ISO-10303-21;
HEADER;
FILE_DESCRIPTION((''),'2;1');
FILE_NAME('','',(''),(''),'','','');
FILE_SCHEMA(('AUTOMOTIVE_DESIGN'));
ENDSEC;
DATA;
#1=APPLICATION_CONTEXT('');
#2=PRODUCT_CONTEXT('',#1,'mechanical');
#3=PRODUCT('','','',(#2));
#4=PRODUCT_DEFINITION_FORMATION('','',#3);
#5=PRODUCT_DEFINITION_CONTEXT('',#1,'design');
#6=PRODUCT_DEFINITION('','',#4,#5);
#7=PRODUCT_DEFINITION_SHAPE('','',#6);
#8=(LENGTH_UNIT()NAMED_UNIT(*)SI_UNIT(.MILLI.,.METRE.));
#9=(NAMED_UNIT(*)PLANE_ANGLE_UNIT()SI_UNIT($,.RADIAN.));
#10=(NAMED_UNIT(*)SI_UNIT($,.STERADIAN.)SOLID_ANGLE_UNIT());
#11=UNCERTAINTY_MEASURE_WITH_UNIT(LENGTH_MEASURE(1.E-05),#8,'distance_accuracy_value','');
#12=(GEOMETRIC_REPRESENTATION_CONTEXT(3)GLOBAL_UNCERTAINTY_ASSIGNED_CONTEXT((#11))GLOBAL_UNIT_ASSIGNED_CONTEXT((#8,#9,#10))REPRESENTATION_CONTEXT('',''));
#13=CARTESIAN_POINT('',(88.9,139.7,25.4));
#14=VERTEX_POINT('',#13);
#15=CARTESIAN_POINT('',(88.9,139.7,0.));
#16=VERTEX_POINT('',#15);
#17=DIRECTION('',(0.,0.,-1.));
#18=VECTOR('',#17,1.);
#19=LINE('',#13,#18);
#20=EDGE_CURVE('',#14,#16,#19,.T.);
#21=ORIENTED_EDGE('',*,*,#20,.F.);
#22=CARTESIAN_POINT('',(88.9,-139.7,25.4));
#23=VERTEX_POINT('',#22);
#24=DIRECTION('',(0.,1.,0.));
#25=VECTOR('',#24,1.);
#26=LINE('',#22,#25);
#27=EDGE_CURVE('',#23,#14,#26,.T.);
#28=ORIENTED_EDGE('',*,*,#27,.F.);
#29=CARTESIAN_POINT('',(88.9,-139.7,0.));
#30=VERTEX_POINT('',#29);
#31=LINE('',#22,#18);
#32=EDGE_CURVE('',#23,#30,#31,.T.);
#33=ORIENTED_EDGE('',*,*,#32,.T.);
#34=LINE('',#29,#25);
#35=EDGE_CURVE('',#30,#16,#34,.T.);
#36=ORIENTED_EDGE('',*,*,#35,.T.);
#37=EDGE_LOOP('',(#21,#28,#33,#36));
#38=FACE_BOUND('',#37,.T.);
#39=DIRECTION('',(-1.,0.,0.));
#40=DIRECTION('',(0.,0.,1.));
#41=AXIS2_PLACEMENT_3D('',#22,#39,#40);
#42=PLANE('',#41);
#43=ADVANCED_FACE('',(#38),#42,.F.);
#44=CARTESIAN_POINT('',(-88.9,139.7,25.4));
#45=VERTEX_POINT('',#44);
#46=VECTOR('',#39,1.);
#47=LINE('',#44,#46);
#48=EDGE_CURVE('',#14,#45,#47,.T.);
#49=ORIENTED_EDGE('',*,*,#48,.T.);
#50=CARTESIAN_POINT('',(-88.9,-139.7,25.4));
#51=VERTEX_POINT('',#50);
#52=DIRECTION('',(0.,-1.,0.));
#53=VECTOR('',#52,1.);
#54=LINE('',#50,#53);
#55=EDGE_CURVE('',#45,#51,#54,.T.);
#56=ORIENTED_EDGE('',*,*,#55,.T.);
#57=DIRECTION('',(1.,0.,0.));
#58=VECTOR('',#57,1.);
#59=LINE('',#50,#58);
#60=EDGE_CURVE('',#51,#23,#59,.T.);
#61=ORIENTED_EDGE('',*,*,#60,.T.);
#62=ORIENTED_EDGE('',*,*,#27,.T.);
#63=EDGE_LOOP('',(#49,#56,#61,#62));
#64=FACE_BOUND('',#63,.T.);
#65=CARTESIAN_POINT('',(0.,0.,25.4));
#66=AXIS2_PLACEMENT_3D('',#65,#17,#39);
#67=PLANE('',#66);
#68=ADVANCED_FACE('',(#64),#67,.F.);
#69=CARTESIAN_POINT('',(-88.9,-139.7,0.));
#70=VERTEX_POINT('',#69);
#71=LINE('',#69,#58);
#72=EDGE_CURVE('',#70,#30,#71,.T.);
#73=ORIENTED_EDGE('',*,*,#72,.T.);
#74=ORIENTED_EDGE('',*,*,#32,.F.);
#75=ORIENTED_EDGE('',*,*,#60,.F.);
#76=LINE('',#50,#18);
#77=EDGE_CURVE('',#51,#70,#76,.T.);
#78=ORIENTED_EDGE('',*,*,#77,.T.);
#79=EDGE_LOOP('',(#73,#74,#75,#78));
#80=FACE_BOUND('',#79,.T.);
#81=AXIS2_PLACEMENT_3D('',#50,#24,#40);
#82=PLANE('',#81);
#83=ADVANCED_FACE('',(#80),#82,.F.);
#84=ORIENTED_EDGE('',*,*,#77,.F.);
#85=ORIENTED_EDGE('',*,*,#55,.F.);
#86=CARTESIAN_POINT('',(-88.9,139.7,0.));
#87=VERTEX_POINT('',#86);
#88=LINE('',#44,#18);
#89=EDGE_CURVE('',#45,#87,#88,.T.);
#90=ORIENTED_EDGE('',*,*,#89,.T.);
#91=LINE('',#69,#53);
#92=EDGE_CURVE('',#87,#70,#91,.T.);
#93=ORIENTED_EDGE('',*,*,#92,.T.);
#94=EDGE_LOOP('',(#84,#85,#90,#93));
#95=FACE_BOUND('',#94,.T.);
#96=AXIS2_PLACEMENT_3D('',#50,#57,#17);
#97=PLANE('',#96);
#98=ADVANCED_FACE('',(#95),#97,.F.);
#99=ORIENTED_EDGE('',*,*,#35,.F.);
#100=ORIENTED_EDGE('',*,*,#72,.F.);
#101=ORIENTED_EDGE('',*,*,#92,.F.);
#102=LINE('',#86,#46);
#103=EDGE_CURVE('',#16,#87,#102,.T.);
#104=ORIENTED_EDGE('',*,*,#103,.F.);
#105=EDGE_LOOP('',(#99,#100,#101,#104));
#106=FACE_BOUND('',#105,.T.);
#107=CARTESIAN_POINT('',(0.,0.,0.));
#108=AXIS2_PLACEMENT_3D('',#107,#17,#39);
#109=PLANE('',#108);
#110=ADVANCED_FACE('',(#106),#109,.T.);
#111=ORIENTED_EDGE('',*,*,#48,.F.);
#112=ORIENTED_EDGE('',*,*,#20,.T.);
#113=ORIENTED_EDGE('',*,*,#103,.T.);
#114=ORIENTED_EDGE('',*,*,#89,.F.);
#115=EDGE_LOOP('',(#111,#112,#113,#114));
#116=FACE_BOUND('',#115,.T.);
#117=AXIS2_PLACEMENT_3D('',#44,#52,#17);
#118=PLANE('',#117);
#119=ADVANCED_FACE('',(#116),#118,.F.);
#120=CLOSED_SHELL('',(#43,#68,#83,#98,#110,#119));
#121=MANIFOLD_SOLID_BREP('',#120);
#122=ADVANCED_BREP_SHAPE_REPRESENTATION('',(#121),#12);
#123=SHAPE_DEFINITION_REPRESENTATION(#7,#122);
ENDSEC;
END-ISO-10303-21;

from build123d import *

# Parameters (mm, degrees)
SKETCH1_W           = 177.8
SKETCH1_H           = 279.4
BOSS_EXTRUDE1_DEPTH = 25.4


with BuildPart() as part:
    # Sketch1 → Boss-Extrude1 (new body)
    with BuildSketch(Plane.XY):
        Rectangle(SKETCH1_W, SKETCH1_H)
    extrude(amount=BOSS_EXTRUDE1_DEPTH)


solid = part.part
